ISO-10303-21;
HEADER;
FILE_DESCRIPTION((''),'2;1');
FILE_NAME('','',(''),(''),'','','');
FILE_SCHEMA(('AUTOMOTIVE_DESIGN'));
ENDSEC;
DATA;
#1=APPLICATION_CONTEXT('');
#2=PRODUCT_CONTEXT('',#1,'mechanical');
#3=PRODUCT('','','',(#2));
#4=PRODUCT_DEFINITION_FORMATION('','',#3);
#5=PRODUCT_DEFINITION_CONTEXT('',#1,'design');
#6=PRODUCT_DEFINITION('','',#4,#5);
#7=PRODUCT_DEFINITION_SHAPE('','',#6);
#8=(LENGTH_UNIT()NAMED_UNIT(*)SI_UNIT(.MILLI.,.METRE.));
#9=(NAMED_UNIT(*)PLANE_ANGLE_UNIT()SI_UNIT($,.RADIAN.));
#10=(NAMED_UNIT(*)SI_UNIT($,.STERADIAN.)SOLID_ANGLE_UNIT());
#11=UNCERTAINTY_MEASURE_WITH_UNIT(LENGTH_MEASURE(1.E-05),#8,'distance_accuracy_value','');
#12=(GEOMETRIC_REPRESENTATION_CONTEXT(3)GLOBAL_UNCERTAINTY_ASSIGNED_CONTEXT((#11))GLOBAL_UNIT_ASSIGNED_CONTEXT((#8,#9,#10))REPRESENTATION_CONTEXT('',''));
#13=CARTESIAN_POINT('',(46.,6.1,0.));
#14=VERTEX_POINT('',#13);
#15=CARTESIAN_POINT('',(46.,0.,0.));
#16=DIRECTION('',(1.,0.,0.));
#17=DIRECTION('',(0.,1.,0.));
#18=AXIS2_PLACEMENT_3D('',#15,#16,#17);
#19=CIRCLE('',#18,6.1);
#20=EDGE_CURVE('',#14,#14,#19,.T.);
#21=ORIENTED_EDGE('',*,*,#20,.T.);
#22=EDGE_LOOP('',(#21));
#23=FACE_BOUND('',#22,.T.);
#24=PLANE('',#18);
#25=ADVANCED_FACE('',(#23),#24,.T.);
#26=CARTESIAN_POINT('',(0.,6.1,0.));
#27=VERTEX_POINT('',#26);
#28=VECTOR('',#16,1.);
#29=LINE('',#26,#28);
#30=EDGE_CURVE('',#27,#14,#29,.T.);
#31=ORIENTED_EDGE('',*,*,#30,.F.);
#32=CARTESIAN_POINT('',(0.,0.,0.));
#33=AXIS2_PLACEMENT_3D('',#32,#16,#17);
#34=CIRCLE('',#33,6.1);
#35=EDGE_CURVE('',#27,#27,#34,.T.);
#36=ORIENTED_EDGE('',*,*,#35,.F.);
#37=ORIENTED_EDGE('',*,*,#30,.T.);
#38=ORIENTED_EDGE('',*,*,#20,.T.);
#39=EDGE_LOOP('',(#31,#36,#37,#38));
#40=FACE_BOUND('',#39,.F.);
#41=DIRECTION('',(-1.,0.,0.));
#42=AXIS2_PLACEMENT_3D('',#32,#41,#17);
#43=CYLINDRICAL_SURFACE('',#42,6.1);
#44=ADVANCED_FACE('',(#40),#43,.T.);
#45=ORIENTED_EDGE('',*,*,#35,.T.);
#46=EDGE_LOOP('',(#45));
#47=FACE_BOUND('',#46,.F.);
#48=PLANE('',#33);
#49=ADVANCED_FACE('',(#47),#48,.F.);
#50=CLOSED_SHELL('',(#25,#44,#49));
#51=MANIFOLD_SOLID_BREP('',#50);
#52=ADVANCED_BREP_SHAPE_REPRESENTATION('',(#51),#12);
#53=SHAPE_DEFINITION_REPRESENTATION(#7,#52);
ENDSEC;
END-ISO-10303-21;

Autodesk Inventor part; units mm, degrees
ref_plane "YZ Plane" through (0, 0, 0) normal (1, 0, 0) x (0, 1, 0)
ref_plane "XZ Plane" through (0, 0, 0) normal (0, 1, 0) x (-1, 0, 0)
ref_plane "XY Plane" through (0, 0, 0) normal (0, 0, 1) x (1, 0, 0)
sketch "Sketch1" plane through (0, 0, 0) normal (1, 0, 0) x (0, 1, 0)
  circle A0 centre (0, 0) radius 6.1
  dimension "d0" = 12.2
extrude "Extrusion1" add sketch "Sketch1" along normal blind 46
properties part number "00_Laserpointer"
